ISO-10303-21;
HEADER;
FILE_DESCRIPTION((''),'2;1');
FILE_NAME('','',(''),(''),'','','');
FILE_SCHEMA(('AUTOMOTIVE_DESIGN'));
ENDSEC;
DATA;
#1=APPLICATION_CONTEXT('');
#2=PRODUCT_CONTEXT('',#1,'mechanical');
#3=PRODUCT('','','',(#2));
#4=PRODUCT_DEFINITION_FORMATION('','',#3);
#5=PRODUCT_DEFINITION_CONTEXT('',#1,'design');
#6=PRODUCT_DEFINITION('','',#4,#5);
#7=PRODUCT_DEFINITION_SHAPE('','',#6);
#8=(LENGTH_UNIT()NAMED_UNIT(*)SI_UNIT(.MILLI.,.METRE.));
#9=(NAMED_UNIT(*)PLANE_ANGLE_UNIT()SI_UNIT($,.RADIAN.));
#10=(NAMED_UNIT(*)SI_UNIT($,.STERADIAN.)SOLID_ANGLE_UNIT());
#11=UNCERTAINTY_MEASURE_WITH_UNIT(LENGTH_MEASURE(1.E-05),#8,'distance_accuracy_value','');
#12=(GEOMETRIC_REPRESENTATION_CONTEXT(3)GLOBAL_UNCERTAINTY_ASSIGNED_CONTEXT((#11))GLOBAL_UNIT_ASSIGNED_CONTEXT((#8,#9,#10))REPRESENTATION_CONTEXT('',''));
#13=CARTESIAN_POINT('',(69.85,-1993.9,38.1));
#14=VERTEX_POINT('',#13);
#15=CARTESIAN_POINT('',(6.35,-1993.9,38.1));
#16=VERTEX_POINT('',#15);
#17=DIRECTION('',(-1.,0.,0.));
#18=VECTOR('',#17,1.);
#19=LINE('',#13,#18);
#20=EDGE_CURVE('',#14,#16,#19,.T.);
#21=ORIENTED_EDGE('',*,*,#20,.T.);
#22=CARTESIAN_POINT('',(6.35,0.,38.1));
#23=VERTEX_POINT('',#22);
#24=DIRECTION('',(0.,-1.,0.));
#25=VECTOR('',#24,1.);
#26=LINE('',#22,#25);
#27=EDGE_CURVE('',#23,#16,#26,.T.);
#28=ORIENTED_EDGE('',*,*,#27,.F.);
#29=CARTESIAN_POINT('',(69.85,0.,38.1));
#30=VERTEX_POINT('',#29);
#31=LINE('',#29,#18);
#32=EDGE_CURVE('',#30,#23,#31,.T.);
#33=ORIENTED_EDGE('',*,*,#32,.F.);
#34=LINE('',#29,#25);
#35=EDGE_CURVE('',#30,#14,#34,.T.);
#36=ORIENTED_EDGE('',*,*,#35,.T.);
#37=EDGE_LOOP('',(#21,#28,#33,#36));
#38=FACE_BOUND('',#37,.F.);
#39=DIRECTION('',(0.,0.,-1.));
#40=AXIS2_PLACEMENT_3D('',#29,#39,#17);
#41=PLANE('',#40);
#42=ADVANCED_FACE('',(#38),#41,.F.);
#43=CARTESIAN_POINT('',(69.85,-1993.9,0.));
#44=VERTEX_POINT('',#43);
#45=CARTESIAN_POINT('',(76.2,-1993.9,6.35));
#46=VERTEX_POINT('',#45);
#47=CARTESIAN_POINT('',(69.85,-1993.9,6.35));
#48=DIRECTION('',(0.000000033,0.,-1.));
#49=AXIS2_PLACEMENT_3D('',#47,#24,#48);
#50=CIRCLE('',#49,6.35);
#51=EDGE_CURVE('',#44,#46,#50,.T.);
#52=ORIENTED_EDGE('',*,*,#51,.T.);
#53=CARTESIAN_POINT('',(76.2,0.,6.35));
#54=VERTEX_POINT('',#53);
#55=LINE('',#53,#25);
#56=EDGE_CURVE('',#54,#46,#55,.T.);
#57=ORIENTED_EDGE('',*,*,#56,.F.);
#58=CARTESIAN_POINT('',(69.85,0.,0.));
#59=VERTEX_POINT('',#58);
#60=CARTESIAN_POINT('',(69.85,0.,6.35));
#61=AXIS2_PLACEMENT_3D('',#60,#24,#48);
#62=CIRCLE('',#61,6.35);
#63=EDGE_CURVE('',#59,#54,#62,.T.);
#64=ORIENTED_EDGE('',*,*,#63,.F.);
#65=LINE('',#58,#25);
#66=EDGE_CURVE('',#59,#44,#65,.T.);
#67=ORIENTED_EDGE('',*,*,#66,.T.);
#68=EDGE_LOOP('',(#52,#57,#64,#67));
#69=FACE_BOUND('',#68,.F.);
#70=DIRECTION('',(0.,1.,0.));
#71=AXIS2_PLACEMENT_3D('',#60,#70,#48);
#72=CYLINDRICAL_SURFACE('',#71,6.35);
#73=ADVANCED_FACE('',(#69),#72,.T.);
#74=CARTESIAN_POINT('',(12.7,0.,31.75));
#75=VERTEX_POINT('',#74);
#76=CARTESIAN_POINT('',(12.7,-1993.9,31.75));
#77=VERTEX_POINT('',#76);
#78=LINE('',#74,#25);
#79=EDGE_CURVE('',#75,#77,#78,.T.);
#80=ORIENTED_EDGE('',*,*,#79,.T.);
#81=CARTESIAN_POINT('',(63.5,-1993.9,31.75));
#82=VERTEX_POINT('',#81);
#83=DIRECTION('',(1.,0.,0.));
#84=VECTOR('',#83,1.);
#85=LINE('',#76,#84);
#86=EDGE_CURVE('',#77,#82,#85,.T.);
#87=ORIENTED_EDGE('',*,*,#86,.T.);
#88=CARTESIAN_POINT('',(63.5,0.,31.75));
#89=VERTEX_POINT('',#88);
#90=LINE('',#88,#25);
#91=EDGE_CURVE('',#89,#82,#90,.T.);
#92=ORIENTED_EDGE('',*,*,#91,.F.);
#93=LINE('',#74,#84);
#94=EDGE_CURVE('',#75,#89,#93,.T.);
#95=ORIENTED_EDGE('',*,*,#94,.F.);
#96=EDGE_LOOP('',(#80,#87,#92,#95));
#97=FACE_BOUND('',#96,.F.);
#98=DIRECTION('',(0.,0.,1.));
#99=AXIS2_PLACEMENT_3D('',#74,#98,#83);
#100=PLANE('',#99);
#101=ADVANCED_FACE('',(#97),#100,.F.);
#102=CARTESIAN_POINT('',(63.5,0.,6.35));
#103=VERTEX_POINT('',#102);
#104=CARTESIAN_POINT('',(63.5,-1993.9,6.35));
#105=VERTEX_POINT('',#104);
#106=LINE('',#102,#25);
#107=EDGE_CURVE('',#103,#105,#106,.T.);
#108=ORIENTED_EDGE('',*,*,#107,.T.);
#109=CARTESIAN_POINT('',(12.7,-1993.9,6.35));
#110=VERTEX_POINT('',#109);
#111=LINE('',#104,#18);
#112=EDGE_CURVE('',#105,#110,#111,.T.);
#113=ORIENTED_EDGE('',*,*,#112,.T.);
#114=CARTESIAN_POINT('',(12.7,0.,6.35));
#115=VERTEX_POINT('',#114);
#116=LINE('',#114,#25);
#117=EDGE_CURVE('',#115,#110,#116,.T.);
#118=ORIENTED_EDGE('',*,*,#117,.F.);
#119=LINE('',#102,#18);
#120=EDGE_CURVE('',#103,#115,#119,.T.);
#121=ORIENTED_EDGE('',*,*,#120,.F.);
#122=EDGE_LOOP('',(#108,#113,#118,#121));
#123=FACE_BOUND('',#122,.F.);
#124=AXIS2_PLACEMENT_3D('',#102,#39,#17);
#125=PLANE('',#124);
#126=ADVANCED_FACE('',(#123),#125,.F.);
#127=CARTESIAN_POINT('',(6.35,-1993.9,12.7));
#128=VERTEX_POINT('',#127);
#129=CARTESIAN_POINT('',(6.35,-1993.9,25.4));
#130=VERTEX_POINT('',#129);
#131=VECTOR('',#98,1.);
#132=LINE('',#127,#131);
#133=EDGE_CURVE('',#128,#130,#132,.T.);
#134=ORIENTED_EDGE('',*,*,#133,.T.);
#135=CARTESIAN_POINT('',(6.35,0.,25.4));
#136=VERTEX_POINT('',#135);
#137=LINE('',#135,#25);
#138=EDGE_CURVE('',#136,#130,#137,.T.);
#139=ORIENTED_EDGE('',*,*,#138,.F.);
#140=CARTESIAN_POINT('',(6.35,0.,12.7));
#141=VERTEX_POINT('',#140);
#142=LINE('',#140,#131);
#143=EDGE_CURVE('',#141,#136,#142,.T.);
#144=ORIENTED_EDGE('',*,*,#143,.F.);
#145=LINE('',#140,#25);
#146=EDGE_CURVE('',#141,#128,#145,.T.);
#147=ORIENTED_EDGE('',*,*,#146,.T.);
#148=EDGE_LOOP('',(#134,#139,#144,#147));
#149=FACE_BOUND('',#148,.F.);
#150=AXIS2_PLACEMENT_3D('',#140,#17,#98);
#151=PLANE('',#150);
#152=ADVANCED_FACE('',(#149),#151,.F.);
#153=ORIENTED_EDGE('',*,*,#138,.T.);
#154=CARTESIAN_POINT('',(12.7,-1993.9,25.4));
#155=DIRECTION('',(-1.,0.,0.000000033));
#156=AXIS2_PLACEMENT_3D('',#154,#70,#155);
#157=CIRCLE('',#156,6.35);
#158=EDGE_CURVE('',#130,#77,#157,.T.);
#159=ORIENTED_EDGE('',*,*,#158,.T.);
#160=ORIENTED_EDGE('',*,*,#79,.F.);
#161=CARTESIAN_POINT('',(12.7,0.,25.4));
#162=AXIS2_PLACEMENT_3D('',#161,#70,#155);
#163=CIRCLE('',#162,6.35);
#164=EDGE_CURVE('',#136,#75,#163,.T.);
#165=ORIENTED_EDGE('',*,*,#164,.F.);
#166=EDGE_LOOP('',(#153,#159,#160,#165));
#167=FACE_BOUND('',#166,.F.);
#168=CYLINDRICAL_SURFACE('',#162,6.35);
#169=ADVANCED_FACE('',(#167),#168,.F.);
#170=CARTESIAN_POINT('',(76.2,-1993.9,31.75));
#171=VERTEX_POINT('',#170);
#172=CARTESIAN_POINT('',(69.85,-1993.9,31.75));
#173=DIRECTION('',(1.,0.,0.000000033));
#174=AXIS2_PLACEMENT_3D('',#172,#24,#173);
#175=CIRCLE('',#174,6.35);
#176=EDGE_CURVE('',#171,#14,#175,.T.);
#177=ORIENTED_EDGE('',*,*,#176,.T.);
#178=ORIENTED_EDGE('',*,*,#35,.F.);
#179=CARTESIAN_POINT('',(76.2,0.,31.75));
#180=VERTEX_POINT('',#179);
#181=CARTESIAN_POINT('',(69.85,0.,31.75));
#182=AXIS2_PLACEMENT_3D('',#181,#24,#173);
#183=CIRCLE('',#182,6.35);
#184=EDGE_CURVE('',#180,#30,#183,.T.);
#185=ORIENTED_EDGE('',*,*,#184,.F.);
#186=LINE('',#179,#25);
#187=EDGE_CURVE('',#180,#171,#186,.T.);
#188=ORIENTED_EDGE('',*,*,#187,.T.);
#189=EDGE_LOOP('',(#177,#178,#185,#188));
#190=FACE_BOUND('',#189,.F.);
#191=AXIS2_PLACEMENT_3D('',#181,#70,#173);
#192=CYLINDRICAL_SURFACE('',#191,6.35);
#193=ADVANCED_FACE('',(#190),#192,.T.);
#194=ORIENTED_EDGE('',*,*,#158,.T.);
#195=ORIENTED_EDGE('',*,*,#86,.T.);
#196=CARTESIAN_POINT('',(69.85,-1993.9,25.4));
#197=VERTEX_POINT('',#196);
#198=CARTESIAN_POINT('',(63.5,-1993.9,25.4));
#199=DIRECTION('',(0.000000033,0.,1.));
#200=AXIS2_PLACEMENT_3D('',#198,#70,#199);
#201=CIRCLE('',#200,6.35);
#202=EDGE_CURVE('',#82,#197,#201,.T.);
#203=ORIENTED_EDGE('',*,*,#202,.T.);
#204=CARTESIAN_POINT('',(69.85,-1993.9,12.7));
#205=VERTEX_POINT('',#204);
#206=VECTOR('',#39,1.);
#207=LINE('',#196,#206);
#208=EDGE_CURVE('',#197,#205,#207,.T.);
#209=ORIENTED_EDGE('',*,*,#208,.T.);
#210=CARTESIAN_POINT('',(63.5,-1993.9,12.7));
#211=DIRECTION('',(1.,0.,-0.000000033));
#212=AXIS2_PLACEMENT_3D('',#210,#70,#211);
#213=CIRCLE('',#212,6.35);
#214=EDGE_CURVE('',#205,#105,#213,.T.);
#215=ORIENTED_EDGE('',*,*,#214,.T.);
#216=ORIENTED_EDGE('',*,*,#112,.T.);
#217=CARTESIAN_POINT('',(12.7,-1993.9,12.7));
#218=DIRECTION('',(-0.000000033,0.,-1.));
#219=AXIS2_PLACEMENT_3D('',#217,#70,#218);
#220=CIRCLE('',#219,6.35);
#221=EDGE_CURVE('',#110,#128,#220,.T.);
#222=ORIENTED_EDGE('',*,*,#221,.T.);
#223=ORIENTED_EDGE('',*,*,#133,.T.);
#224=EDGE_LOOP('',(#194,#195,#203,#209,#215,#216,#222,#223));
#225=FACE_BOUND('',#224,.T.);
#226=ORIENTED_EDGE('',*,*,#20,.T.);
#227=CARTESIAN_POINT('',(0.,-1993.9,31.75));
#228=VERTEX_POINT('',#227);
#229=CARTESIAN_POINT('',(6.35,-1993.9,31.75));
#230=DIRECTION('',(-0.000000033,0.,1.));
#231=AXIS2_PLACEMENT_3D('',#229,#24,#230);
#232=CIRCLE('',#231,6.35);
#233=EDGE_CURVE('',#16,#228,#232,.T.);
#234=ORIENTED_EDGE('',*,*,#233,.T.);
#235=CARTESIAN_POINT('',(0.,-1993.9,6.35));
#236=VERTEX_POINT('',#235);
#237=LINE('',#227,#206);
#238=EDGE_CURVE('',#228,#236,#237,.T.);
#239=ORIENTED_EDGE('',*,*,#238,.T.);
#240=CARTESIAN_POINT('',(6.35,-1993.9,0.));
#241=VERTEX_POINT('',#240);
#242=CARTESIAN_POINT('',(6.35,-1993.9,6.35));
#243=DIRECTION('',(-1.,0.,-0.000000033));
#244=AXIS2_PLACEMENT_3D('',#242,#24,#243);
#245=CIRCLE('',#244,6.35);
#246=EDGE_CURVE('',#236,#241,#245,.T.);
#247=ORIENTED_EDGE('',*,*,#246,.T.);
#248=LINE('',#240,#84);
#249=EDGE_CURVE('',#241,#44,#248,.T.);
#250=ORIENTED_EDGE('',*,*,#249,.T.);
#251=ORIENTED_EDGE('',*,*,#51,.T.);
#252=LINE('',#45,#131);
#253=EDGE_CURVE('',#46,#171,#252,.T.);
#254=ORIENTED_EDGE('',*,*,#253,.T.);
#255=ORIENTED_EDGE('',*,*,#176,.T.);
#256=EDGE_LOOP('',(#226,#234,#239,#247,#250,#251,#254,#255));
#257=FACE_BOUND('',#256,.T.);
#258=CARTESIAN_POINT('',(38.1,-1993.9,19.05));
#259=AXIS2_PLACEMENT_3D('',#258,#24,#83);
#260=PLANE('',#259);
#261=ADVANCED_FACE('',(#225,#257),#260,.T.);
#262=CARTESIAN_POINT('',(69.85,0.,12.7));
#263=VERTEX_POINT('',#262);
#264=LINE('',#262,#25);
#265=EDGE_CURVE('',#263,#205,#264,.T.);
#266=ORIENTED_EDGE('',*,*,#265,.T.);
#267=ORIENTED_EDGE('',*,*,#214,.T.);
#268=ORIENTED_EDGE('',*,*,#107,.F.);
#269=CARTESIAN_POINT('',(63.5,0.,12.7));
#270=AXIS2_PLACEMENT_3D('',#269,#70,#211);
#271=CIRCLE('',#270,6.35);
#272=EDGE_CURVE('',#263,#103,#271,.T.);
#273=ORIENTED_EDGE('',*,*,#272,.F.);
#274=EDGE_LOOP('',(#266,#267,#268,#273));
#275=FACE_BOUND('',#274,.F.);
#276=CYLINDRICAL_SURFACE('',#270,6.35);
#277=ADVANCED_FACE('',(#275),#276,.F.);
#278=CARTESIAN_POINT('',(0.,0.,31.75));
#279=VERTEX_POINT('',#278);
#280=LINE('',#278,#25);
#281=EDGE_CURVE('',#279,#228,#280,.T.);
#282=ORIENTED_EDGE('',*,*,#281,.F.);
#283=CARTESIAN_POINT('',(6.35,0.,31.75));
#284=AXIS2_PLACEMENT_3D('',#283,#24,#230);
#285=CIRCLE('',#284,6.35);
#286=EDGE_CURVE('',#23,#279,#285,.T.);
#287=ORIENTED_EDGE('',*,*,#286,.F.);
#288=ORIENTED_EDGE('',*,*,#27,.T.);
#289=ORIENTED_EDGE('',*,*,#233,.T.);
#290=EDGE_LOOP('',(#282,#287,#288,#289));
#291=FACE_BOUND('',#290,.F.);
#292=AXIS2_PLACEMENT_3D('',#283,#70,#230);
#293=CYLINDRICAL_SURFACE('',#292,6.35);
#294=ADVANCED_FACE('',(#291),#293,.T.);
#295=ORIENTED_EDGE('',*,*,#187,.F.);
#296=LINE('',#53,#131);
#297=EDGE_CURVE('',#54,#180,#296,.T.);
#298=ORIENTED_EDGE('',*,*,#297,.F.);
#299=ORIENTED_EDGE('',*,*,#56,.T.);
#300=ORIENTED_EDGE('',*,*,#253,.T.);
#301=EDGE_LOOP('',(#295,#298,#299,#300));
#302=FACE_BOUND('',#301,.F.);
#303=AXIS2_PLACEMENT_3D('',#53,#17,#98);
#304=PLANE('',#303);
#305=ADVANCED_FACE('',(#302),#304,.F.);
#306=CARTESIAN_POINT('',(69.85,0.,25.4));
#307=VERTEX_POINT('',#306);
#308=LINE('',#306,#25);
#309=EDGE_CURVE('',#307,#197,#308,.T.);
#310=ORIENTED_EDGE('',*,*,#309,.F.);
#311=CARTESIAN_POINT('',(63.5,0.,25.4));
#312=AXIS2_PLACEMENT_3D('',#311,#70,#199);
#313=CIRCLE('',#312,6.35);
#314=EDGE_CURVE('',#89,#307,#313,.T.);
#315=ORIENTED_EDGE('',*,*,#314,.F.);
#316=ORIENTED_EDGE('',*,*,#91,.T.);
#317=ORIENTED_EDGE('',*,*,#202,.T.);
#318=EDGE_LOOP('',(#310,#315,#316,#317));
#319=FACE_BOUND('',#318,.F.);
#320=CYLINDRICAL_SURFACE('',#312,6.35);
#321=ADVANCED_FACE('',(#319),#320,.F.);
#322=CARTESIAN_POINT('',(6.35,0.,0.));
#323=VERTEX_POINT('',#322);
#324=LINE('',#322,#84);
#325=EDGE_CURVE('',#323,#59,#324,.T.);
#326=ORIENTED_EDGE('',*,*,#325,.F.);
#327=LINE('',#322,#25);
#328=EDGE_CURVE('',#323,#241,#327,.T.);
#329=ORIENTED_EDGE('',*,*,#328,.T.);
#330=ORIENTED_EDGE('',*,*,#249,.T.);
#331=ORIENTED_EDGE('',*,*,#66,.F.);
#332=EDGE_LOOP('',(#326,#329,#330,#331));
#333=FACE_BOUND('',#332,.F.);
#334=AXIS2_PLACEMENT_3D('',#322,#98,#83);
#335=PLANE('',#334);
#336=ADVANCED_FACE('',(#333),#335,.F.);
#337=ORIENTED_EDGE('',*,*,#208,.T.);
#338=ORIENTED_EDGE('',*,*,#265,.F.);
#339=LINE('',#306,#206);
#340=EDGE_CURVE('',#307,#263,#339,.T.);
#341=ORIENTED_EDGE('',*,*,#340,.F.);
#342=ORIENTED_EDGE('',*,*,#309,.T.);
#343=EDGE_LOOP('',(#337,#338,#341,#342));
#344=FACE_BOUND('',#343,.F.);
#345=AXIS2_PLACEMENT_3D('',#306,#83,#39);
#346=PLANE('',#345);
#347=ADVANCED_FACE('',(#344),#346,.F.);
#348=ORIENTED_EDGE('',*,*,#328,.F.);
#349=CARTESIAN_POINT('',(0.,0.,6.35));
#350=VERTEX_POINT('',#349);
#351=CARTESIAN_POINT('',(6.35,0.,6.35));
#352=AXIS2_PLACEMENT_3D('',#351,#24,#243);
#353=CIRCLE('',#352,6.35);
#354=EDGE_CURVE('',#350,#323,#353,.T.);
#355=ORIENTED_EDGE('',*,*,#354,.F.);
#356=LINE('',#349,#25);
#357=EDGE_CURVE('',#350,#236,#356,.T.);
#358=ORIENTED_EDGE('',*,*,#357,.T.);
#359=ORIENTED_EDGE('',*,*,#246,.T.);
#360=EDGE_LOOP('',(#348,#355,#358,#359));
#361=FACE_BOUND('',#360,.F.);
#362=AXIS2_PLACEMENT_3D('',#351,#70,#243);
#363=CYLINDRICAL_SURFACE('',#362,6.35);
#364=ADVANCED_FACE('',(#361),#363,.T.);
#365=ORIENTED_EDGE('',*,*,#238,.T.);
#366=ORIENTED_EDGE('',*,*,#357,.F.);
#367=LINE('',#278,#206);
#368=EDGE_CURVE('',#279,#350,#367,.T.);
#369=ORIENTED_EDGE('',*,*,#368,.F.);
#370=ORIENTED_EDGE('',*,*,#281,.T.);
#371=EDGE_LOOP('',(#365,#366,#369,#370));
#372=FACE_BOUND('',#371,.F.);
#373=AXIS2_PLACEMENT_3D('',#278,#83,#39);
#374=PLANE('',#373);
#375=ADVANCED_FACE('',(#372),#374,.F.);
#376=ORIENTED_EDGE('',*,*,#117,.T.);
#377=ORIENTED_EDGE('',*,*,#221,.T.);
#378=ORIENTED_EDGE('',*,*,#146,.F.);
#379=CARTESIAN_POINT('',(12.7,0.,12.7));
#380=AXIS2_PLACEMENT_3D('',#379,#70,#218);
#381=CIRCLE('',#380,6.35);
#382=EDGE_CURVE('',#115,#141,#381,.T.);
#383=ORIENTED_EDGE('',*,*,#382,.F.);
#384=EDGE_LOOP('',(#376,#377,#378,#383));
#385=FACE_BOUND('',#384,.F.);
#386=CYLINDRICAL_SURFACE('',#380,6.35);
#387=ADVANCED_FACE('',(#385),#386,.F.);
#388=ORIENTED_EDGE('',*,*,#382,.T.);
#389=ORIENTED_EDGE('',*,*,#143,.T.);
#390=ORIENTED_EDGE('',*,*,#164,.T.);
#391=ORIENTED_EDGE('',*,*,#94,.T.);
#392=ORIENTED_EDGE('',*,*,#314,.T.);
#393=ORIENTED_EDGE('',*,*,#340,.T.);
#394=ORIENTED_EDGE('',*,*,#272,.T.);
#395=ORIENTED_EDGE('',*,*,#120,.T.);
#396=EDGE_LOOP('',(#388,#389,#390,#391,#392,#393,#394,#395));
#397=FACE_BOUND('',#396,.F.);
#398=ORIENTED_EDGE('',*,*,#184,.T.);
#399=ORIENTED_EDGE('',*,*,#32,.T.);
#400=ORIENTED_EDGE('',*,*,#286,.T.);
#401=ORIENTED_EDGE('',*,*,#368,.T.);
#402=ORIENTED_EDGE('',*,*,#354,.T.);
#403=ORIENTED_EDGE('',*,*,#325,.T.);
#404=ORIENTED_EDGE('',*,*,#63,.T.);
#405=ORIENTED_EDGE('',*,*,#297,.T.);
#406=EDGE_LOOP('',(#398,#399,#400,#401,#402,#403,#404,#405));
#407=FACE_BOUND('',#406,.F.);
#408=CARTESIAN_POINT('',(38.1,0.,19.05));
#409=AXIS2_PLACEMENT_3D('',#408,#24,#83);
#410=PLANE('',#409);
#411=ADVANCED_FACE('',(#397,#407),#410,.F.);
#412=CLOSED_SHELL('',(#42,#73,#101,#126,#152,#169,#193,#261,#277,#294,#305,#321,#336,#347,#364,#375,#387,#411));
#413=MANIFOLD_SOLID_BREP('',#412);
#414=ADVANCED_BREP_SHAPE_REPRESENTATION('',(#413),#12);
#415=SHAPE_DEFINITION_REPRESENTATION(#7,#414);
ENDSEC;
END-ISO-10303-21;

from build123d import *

# Parameters (mm, degrees)
F1_DEPTH = 1993.9


with BuildPart() as f1:
    # F0 (on Front) → F1 (new body)
    with BuildSketch(Plane.XZ):
        with BuildLine():
            ThreePointArc((0, 6.35), (1.859872, 1.859872), (6.35, 0))
            Line((6.35, 0), (69.85, 0))
            ThreePointArc((69.85, 0), (74.340128, 1.859872), (76.2, 6.35))
            Line((76.2, 6.35), (76.2, 31.75))
            ThreePointArc((76.2, 31.75), (74.340128, 36.240128), (69.85, 38.1))
            Line((69.85, 38.1), (6.35, 38.1))
            ThreePointArc((6.35, 38.1), (1.859872, 36.240128), (0, 31.75))
            Line((0, 31.75), (0, 6.35))
        make_face()
        with BuildLine():
            Line((63.5, 6.35), (12.7, 6.35))
            ThreePointArc((12.7, 6.35), (8.209872, 8.209872), (6.35, 12.7))
            Line((6.35, 12.7), (6.35, 25.4))
            ThreePointArc((6.35, 25.4), (8.209872, 29.890128), (12.7, 31.75))
            Line((12.7, 31.75), (63.5, 31.75))
            ThreePointArc((63.5, 31.75), (67.990128, 29.890128), (69.85, 25.4))
            Line((69.85, 25.4), (69.85, 12.7))
            ThreePointArc((69.85, 12.7), (67.990128, 8.209872), (63.5, 6.35))
        make_face(mode=Mode.SUBTRACT)
    extrude(amount=F1_DEPTH)


solid = f1.part
